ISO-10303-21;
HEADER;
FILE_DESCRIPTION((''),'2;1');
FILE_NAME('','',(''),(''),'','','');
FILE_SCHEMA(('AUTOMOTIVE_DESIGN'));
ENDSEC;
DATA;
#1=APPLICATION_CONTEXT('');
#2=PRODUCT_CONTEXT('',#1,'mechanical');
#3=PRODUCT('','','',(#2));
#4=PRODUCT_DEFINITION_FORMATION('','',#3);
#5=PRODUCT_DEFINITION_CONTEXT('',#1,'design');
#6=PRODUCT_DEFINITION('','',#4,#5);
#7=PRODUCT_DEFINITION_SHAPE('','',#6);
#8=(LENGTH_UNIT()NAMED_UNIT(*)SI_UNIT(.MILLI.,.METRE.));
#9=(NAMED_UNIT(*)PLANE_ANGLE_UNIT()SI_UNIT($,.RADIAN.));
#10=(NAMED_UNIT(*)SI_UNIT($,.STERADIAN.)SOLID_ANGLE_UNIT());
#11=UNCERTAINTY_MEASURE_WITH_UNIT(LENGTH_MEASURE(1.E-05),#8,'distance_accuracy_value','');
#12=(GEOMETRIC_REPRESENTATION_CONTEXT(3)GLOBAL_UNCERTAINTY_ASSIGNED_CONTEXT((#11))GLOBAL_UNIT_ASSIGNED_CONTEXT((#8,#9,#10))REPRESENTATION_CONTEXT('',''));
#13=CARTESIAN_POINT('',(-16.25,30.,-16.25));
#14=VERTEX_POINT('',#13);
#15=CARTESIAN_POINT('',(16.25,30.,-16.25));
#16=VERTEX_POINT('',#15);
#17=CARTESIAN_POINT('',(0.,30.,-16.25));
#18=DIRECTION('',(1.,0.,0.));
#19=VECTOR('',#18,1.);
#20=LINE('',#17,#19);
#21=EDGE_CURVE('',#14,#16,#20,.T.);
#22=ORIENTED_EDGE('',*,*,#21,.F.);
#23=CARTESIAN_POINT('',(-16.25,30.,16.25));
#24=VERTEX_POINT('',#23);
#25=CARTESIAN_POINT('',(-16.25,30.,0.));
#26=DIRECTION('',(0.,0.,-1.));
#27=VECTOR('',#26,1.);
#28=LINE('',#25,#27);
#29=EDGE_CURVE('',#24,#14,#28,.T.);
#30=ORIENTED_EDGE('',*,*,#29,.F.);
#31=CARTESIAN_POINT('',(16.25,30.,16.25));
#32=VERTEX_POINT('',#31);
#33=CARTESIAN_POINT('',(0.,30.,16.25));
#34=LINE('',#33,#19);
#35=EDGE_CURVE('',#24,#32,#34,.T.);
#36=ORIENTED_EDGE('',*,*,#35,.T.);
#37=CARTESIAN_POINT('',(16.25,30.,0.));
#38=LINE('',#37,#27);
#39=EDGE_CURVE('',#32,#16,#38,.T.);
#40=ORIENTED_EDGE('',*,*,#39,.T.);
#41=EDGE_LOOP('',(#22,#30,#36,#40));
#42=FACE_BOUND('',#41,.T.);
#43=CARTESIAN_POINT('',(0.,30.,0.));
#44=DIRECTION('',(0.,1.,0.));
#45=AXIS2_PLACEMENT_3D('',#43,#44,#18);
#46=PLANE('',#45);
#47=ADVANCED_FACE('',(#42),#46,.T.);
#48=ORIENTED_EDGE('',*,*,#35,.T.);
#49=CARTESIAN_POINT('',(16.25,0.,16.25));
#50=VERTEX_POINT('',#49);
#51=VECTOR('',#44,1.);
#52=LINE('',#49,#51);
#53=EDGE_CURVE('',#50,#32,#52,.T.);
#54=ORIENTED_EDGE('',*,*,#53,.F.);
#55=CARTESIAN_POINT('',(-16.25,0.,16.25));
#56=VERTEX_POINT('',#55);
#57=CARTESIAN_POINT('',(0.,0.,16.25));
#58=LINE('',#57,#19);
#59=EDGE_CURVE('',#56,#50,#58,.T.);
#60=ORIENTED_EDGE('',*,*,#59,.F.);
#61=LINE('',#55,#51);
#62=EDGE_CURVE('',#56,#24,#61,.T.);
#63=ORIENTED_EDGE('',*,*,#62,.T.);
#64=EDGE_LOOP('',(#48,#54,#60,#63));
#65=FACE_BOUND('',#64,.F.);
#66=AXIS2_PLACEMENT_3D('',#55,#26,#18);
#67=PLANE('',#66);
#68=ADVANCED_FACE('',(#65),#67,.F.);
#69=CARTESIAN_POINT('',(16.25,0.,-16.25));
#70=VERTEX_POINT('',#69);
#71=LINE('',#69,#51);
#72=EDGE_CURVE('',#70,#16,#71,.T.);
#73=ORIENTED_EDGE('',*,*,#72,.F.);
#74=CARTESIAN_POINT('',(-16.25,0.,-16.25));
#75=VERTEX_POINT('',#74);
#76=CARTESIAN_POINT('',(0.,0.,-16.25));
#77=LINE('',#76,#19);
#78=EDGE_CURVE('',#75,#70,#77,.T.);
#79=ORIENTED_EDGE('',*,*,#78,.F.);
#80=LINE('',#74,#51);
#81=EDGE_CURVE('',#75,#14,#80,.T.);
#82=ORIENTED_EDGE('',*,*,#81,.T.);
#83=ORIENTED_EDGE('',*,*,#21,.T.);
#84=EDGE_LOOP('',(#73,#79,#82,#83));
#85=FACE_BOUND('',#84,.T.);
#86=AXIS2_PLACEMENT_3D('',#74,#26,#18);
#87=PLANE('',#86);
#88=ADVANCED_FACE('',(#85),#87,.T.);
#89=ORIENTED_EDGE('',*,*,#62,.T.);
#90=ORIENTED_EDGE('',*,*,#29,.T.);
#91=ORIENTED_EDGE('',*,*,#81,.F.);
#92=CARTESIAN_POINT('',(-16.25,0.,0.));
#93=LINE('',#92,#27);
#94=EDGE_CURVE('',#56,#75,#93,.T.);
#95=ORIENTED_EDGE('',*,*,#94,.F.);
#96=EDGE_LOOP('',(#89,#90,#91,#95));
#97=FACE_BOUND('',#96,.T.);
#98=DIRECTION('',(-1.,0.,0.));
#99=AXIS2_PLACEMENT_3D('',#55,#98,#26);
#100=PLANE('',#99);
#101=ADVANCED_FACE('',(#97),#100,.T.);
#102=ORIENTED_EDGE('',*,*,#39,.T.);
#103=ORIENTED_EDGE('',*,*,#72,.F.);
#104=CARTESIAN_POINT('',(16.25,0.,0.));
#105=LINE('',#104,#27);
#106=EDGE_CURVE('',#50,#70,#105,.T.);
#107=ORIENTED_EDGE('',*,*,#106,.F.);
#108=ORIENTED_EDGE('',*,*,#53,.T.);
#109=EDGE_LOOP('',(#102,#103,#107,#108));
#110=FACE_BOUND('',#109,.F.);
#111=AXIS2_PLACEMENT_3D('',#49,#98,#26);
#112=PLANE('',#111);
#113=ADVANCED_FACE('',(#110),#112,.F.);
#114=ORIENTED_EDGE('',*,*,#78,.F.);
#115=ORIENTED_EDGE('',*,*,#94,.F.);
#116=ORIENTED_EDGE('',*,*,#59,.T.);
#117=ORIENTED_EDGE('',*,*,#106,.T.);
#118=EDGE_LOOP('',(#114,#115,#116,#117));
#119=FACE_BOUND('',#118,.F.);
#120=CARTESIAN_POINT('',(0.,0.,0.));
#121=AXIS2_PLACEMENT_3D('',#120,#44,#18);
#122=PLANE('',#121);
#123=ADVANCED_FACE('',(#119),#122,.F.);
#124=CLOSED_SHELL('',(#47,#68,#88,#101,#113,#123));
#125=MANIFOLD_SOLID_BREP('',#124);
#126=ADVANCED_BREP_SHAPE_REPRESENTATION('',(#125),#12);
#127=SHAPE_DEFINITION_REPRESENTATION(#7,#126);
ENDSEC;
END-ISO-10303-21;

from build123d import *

# Parameters (mm, degrees)
SKETCH_1_W      = 32.5
SKETCH_1_H      = 32.5
EXTRUDE_1_DEPTH = 30


with BuildPart() as part:
    # 草图1 → 凸台-拉伸1 (new body)
    with BuildSketch(Plane(origin=(0, 0, 0), x_dir=(1, 0, 0), z_dir=(0, 1, 0))):
        Rectangle(SKETCH_1_W, SKETCH_1_H)
    extrude(amount=EXTRUDE_1_DEPTH)


solid = part.part
